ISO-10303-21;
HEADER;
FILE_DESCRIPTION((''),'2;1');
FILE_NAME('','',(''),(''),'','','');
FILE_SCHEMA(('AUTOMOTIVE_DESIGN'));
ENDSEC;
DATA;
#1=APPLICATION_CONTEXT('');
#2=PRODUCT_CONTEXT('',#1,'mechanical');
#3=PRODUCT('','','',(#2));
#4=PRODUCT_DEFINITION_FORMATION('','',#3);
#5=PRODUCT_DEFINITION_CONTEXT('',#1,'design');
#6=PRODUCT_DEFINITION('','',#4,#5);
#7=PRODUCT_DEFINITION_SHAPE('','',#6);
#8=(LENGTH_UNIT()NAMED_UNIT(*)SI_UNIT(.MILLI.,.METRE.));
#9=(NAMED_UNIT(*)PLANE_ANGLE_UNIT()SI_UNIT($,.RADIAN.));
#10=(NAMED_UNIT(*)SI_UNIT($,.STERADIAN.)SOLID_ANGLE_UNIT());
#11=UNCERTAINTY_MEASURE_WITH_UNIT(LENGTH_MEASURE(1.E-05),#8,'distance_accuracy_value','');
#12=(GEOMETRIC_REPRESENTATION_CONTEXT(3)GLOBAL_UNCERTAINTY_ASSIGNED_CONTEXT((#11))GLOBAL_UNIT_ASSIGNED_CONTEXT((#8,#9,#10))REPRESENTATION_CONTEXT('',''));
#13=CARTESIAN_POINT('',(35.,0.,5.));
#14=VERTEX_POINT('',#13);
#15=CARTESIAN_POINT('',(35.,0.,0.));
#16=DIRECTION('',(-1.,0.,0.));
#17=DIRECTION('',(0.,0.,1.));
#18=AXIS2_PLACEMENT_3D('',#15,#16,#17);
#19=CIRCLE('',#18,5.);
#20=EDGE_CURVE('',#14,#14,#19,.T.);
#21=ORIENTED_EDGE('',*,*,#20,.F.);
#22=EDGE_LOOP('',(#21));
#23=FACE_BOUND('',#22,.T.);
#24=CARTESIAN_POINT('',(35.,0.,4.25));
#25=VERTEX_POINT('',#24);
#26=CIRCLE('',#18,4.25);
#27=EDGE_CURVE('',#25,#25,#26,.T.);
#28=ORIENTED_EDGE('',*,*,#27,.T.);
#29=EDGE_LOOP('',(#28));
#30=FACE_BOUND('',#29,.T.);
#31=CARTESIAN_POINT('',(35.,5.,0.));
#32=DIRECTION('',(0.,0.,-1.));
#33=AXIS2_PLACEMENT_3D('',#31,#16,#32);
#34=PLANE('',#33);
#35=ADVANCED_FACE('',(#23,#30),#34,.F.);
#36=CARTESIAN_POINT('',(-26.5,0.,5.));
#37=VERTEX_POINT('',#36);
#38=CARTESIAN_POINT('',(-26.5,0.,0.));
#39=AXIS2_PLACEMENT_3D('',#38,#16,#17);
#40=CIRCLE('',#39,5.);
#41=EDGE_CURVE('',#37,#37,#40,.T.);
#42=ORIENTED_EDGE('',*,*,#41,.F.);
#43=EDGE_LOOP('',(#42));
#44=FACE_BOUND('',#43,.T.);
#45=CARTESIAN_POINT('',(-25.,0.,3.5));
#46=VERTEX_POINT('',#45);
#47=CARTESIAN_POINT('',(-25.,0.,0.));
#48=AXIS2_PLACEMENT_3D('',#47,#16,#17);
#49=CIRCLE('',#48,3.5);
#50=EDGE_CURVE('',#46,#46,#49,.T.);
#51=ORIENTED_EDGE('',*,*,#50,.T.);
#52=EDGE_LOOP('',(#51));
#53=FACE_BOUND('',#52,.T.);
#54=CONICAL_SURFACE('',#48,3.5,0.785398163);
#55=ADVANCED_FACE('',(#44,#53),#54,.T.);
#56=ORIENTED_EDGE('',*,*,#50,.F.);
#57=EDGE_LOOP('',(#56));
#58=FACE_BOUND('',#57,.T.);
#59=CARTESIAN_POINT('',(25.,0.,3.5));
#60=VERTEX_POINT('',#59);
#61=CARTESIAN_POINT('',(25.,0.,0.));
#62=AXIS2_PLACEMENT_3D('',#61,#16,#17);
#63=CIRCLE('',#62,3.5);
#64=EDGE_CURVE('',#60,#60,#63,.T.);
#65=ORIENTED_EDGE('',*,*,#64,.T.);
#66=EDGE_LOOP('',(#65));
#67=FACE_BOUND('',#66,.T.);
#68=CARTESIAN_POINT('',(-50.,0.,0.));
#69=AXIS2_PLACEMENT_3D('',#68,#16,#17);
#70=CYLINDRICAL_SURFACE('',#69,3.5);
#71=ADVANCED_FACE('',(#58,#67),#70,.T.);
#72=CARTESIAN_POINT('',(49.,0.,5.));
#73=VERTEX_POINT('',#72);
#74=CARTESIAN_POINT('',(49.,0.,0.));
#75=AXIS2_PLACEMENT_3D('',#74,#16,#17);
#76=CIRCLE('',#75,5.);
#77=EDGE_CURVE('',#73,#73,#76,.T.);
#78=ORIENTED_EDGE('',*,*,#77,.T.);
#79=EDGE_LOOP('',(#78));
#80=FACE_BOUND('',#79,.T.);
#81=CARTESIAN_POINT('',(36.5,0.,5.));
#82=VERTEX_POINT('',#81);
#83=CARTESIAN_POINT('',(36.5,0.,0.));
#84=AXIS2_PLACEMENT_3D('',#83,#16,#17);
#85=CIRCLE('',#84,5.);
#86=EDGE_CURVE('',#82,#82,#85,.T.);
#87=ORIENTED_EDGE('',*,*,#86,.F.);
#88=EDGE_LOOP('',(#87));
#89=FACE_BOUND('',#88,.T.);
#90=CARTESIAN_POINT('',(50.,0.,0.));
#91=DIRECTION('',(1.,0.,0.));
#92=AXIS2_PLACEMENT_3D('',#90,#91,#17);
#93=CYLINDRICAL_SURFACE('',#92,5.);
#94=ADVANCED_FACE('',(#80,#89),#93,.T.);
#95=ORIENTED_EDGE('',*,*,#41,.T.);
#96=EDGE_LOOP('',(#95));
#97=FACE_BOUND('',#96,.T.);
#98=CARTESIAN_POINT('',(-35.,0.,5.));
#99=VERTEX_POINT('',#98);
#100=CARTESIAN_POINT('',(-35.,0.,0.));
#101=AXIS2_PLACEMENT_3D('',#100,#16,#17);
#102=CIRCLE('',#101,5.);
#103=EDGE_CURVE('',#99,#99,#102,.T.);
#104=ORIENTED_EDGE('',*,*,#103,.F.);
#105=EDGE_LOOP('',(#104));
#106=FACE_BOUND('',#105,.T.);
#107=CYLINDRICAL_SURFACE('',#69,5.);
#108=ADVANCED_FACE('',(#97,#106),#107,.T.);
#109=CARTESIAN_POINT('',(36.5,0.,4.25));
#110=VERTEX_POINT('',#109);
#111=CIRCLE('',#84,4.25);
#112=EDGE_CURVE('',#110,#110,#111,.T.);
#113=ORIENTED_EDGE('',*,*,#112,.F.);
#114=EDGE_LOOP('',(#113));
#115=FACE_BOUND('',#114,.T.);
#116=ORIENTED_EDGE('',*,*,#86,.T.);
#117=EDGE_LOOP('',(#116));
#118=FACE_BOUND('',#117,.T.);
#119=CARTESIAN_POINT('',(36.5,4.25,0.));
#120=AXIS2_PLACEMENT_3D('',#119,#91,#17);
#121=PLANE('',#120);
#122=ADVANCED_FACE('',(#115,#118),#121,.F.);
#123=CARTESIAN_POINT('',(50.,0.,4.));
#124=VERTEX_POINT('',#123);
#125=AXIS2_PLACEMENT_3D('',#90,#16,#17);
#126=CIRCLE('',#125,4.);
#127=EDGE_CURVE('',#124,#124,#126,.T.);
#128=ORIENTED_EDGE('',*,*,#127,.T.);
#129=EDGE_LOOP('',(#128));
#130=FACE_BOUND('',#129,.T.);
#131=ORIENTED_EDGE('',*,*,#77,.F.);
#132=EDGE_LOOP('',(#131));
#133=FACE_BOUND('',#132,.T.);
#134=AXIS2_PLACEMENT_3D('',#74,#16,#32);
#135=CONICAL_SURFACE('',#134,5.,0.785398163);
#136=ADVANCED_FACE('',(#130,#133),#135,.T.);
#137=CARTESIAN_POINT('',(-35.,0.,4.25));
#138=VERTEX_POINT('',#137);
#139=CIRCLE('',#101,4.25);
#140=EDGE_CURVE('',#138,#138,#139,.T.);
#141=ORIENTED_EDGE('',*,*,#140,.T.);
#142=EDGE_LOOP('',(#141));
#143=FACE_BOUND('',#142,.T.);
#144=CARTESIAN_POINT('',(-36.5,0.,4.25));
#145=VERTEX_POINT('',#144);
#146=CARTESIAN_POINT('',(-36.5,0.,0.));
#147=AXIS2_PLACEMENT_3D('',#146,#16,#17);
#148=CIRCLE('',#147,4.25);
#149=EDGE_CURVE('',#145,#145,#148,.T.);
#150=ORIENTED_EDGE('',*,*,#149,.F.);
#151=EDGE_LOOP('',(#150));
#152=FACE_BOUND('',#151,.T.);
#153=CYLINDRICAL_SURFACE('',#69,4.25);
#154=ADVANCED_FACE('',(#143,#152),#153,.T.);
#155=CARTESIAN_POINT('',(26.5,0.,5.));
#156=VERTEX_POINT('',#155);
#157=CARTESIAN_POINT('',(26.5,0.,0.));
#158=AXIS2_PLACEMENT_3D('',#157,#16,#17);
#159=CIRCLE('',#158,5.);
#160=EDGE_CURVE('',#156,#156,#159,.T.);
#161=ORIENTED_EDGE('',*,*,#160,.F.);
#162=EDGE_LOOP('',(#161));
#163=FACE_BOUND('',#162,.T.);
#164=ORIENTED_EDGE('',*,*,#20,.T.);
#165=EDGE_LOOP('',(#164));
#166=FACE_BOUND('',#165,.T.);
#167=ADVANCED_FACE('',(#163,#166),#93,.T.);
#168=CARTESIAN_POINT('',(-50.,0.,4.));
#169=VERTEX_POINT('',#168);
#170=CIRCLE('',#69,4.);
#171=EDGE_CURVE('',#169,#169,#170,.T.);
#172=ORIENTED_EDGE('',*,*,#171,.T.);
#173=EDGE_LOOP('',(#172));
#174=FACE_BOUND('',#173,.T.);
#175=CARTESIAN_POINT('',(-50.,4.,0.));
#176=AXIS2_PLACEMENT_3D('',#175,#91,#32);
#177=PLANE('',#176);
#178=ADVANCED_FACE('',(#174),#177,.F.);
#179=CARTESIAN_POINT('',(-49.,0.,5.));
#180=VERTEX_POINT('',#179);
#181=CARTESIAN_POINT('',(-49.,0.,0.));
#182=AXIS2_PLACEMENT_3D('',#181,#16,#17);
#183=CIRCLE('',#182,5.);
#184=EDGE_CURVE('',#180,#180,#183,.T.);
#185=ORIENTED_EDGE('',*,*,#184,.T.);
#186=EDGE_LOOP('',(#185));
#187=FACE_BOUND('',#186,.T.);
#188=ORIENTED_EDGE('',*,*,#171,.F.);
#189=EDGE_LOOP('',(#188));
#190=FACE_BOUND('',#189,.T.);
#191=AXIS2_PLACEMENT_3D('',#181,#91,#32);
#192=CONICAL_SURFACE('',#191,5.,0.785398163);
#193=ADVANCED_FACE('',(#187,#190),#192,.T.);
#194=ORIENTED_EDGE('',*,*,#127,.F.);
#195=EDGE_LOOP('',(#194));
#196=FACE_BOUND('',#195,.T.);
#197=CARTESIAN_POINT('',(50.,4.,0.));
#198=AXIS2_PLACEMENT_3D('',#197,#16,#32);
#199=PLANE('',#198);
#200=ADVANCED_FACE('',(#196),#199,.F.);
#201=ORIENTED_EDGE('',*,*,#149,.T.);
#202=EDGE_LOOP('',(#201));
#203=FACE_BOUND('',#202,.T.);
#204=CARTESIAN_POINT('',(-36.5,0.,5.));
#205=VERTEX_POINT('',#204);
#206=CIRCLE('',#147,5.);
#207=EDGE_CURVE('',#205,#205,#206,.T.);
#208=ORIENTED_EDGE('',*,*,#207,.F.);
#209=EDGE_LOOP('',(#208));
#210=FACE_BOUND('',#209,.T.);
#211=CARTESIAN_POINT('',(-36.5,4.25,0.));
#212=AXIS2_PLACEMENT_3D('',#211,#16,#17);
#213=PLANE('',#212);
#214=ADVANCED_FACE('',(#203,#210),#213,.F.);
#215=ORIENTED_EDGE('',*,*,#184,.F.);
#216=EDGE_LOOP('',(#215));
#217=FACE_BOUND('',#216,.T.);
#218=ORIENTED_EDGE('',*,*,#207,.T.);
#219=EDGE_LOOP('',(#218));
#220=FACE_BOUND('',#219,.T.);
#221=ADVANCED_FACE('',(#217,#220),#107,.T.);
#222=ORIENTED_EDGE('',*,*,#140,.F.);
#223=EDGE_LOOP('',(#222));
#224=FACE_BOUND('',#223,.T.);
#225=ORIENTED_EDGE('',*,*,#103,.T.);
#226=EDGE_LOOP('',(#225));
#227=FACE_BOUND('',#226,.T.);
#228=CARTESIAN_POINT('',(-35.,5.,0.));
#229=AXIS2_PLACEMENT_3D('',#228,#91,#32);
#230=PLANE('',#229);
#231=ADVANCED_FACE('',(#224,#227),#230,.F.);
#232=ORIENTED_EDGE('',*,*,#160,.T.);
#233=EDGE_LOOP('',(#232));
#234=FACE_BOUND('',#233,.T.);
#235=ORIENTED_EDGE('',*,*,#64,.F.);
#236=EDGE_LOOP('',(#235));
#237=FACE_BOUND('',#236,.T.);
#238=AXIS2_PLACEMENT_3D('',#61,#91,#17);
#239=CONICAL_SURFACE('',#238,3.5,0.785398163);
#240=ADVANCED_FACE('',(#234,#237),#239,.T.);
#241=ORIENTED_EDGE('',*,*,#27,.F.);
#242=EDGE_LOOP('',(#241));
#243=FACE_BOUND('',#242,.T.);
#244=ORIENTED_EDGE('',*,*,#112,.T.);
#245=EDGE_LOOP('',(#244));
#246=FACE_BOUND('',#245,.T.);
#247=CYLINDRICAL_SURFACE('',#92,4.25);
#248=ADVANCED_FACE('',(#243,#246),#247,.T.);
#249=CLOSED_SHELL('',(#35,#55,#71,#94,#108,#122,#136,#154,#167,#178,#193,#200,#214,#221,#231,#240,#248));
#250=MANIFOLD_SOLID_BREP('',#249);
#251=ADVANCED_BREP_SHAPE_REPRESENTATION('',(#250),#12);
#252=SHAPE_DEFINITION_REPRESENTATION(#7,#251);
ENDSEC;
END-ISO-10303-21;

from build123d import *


with BuildPart() as part:
    # Esquisse1 → Révolution1 (revolve)
    with BuildSketch(Plane.XY):
        Polygon((0, 0), (0, 3.5), (-25, 3.5), (-26.5, 5), (-35, 5), (-35, 4.25), (-36.5, 4.25), (-36.5, 5), (-49, 5), (-50, 4), (-50, 0), align=None)
    r_volution1 = revolve(axis=Axis((-50, 0, 0), (1, 0, 0)))

    # Symétrie1: Révolution1 across Right Plane
    add(r_volution1.mirror(Plane(origin=(0, 0, 0), x_dir=(0, 0, -1), z_dir=(1, 0, 0))))


solid = part.part
